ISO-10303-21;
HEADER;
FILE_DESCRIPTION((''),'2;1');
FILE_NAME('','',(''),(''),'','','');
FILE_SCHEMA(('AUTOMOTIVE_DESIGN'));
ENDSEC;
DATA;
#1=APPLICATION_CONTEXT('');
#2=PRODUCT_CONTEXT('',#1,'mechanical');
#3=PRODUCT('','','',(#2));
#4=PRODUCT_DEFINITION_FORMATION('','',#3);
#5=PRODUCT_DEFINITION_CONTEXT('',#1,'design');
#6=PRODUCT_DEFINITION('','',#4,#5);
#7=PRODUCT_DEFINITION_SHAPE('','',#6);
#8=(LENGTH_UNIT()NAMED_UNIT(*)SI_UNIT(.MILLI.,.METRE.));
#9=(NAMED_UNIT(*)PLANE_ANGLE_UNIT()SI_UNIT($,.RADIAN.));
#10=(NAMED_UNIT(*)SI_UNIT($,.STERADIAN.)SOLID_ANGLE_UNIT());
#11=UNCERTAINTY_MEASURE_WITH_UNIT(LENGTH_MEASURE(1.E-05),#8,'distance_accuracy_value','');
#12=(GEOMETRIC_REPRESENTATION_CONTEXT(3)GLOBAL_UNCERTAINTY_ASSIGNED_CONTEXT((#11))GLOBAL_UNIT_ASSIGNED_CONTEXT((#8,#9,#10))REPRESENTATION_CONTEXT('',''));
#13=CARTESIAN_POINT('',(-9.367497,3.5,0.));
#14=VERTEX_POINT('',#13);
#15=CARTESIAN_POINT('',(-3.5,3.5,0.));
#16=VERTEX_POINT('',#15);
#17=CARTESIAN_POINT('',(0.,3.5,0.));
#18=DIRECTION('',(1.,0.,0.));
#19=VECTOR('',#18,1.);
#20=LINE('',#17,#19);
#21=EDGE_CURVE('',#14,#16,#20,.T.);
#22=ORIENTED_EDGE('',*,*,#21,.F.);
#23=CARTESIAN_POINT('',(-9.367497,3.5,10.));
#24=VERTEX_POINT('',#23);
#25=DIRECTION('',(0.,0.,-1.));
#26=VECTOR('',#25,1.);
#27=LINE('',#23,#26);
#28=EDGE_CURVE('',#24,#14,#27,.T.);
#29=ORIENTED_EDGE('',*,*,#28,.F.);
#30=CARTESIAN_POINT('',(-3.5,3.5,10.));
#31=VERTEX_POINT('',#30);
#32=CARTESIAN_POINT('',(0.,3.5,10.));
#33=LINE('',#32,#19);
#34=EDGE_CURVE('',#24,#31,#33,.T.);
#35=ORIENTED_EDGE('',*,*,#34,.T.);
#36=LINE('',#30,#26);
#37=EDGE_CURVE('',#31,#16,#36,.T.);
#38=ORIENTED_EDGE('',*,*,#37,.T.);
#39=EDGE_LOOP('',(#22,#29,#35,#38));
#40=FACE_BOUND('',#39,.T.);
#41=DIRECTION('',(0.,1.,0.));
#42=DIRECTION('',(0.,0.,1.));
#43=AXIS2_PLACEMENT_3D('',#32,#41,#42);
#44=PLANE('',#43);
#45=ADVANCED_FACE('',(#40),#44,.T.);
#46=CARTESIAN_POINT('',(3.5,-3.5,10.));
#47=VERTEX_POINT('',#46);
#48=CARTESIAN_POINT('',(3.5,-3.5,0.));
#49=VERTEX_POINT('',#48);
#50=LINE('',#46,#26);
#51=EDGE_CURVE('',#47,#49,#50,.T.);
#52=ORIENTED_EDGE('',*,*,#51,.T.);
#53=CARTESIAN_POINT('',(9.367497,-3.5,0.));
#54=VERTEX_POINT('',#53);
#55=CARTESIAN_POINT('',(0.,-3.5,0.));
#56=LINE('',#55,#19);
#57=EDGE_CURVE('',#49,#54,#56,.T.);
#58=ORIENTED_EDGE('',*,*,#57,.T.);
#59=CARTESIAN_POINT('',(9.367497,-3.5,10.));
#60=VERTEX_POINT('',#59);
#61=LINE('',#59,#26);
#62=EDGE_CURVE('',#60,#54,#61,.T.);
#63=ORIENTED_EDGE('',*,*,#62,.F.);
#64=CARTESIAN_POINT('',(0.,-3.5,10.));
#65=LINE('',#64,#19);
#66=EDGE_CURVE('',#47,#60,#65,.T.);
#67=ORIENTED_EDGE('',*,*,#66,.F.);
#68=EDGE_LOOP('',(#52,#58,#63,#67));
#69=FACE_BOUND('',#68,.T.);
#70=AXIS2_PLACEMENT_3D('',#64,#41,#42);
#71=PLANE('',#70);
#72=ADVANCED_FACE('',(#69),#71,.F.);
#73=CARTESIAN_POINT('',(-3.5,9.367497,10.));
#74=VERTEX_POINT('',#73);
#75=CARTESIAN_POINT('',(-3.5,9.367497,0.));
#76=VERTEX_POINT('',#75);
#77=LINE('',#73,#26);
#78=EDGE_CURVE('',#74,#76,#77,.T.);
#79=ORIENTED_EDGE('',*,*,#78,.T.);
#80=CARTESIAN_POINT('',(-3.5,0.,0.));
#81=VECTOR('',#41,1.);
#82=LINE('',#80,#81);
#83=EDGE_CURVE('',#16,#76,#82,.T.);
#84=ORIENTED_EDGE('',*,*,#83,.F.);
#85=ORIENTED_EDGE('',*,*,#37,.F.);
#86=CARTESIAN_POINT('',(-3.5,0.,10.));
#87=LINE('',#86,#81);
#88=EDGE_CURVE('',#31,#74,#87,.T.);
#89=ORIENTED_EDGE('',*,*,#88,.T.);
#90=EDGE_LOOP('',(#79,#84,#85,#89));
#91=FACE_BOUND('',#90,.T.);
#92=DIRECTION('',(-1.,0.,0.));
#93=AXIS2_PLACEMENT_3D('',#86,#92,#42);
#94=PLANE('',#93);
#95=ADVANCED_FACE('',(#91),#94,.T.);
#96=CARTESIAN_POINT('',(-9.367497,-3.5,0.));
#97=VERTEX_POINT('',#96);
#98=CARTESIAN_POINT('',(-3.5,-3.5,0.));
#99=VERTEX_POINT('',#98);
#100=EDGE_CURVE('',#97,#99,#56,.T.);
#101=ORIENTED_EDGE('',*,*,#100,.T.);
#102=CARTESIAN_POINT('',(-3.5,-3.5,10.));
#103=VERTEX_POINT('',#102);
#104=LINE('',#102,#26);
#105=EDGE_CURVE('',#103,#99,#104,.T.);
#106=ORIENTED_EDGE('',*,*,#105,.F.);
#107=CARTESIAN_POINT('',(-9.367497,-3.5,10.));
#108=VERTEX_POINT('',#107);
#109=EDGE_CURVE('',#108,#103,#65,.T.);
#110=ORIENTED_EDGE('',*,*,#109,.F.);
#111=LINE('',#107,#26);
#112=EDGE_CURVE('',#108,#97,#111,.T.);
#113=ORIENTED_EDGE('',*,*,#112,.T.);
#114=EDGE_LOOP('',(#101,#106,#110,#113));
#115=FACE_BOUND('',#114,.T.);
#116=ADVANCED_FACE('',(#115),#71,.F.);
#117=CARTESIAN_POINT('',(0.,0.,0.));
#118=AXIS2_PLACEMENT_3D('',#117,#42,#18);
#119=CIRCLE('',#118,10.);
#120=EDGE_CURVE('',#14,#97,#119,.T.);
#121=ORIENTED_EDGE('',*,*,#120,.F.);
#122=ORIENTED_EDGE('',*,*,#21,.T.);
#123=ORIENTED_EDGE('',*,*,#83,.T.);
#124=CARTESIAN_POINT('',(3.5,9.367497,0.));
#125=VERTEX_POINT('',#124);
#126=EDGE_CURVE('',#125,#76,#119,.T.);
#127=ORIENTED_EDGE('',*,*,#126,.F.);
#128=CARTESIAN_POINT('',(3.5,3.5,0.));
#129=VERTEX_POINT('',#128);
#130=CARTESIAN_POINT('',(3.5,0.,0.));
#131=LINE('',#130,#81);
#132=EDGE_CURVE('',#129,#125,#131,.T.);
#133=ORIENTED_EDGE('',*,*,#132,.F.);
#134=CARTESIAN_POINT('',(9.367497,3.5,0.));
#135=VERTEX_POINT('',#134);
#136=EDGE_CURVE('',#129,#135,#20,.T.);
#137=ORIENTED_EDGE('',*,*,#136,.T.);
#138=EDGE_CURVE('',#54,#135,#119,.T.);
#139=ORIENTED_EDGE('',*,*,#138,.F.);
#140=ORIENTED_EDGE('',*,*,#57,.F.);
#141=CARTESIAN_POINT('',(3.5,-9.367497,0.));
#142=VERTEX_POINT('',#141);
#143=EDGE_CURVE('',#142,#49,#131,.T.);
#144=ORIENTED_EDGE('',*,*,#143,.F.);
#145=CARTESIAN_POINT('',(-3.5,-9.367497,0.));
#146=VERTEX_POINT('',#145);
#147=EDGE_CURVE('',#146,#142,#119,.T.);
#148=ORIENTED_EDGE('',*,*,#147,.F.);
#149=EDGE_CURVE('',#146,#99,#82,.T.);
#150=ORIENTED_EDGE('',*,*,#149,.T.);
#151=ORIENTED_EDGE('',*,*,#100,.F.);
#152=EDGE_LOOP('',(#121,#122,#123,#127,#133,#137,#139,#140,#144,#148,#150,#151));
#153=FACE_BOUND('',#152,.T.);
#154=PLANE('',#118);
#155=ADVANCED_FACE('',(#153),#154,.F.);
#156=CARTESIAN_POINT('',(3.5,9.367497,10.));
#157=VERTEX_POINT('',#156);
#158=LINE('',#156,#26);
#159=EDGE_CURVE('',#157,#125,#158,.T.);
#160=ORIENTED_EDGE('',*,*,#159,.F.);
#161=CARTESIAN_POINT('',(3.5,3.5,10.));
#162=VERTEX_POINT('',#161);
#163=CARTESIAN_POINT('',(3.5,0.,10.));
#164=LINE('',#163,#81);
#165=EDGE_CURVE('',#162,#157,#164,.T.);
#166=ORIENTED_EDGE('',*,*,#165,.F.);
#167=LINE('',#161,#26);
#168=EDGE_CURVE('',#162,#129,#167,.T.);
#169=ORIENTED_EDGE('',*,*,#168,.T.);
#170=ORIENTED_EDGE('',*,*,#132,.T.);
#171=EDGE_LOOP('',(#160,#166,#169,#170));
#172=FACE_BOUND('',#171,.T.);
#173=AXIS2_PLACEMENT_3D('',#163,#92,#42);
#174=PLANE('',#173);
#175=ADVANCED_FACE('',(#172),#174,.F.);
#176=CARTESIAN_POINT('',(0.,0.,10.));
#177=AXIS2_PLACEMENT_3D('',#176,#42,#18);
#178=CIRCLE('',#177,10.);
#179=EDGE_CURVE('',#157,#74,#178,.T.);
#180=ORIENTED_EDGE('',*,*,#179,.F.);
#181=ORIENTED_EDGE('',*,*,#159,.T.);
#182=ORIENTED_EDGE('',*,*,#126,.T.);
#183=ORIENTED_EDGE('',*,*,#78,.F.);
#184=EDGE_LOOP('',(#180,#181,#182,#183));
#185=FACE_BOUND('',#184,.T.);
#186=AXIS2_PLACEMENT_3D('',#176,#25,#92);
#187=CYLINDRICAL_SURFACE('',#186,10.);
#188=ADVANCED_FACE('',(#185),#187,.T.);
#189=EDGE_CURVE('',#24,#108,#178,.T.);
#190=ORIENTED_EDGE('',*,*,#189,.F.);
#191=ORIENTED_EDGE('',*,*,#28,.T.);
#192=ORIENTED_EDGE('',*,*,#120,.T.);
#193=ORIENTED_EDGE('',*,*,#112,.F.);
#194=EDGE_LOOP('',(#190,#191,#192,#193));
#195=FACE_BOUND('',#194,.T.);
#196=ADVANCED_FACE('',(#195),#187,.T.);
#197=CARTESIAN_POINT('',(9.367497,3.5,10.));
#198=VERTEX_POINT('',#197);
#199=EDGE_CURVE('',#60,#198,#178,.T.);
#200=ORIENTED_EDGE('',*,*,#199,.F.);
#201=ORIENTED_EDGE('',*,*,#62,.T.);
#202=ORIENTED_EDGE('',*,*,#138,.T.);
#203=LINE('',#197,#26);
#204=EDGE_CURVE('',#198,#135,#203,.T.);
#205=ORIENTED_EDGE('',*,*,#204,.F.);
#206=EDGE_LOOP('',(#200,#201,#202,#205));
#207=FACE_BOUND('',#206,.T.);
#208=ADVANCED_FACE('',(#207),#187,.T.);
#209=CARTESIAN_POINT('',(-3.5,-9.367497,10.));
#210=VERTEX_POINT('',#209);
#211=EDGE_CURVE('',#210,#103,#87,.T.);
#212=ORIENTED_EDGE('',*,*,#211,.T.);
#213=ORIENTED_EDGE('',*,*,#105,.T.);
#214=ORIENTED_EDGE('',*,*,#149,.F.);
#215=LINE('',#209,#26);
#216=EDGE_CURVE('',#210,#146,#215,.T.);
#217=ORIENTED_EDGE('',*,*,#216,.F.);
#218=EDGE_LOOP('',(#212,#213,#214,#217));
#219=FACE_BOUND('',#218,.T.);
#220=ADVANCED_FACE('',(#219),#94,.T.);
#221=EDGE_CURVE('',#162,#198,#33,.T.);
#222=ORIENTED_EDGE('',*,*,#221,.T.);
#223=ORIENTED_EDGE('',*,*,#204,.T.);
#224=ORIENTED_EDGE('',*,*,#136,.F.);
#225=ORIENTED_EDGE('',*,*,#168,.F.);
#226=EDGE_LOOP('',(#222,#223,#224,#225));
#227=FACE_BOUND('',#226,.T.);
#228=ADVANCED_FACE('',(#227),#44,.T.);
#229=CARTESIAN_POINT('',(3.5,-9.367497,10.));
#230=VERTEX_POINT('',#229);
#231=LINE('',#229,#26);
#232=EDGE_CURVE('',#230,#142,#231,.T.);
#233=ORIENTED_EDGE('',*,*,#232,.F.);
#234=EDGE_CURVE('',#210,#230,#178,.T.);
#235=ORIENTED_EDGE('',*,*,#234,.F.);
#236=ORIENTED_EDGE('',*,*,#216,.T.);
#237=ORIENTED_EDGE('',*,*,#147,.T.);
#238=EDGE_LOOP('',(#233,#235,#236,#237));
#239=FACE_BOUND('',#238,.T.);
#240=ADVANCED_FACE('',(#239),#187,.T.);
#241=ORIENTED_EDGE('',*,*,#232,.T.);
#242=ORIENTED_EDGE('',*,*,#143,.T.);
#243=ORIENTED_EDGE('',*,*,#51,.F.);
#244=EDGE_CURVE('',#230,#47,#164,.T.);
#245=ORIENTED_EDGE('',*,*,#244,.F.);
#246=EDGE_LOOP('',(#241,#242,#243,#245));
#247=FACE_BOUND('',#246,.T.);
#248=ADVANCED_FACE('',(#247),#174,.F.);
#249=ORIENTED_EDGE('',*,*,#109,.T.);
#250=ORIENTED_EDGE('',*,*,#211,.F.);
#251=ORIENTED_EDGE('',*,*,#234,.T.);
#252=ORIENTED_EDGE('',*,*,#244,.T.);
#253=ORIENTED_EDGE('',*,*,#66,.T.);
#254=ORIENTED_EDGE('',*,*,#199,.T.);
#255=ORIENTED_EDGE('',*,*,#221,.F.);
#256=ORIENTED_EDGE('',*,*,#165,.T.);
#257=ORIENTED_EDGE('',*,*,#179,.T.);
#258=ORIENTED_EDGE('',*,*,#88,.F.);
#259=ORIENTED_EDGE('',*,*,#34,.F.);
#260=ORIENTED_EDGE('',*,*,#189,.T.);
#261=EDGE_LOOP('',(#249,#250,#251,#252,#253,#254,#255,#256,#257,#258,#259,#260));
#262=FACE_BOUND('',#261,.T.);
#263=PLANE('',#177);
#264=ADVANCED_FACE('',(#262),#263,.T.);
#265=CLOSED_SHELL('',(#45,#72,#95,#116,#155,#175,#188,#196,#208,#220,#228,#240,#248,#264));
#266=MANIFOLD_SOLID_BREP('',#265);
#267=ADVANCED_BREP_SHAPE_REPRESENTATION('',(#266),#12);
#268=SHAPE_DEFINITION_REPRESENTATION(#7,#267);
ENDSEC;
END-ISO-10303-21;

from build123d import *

# Parameters (mm, degrees)
SKETCH_1_W      = 7
SKETCH_1_H      = 7
EXTRUDE_1_DEPTH = 10


with BuildPart() as part:
    # 스케치1 → 보스-돌출1 (new body)
    with BuildSketch(Plane.XY):
        with BuildLine():
            Line((-3.5, 3.5), (3.5, 3.5))
            Line((3.5, 3.5), (3.5, 9.367496998))
            ThreePointArc((3.5, 9.367496998), (0, 10), (-3.5, 9.367496998))
            Line((-3.5, 9.367496998), (-3.5, 3.5))
        make_face()
        with BuildLine():
            Line((-9.367496998, -3.5), (-3.5, -3.5))
            Line((-3.5, -3.5), (-3.5, 3.5))
            Line((-3.5, 3.5), (-9.367496998, 3.5))
            ThreePointArc((-9.367496998, 3.5), (-10, 0), (-9.367496998, -3.5))
        make_face()
        Rectangle(SKETCH_1_W, SKETCH_1_H)
        with BuildLine():
            ThreePointArc((-3.5, -9.367496998), (-1.778346145, -9.840603893), (0, -10))
            ThreePointArc((0, -10), (1.778346145, -9.840603893), (3.5, -9.367496998))
            Line((3.5, -9.367496998), (3.5, -3.5))
            Line((3.5, -3.5), (-3.5, -3.5))
            Line((-3.5, -3.5), (-3.5, -9.367496998))
        make_face()
        with BuildLine():
            Line((3.5, 3.5), (3.5, -3.5))
            Line((3.5, -3.5), (9.367496998, -3.5))
            ThreePointArc((9.367496998, -3.5), (9.840603893, -1.778346145), (10, 0))
            ThreePointArc((10, 0), (9.840603893, 1.778346145), (9.367496998, 3.5))
            Line((9.367496998, 3.5), (3.5, 3.5))
        make_face()
    extrude(amount=EXTRUDE_1_DEPTH)


solid = part.part
